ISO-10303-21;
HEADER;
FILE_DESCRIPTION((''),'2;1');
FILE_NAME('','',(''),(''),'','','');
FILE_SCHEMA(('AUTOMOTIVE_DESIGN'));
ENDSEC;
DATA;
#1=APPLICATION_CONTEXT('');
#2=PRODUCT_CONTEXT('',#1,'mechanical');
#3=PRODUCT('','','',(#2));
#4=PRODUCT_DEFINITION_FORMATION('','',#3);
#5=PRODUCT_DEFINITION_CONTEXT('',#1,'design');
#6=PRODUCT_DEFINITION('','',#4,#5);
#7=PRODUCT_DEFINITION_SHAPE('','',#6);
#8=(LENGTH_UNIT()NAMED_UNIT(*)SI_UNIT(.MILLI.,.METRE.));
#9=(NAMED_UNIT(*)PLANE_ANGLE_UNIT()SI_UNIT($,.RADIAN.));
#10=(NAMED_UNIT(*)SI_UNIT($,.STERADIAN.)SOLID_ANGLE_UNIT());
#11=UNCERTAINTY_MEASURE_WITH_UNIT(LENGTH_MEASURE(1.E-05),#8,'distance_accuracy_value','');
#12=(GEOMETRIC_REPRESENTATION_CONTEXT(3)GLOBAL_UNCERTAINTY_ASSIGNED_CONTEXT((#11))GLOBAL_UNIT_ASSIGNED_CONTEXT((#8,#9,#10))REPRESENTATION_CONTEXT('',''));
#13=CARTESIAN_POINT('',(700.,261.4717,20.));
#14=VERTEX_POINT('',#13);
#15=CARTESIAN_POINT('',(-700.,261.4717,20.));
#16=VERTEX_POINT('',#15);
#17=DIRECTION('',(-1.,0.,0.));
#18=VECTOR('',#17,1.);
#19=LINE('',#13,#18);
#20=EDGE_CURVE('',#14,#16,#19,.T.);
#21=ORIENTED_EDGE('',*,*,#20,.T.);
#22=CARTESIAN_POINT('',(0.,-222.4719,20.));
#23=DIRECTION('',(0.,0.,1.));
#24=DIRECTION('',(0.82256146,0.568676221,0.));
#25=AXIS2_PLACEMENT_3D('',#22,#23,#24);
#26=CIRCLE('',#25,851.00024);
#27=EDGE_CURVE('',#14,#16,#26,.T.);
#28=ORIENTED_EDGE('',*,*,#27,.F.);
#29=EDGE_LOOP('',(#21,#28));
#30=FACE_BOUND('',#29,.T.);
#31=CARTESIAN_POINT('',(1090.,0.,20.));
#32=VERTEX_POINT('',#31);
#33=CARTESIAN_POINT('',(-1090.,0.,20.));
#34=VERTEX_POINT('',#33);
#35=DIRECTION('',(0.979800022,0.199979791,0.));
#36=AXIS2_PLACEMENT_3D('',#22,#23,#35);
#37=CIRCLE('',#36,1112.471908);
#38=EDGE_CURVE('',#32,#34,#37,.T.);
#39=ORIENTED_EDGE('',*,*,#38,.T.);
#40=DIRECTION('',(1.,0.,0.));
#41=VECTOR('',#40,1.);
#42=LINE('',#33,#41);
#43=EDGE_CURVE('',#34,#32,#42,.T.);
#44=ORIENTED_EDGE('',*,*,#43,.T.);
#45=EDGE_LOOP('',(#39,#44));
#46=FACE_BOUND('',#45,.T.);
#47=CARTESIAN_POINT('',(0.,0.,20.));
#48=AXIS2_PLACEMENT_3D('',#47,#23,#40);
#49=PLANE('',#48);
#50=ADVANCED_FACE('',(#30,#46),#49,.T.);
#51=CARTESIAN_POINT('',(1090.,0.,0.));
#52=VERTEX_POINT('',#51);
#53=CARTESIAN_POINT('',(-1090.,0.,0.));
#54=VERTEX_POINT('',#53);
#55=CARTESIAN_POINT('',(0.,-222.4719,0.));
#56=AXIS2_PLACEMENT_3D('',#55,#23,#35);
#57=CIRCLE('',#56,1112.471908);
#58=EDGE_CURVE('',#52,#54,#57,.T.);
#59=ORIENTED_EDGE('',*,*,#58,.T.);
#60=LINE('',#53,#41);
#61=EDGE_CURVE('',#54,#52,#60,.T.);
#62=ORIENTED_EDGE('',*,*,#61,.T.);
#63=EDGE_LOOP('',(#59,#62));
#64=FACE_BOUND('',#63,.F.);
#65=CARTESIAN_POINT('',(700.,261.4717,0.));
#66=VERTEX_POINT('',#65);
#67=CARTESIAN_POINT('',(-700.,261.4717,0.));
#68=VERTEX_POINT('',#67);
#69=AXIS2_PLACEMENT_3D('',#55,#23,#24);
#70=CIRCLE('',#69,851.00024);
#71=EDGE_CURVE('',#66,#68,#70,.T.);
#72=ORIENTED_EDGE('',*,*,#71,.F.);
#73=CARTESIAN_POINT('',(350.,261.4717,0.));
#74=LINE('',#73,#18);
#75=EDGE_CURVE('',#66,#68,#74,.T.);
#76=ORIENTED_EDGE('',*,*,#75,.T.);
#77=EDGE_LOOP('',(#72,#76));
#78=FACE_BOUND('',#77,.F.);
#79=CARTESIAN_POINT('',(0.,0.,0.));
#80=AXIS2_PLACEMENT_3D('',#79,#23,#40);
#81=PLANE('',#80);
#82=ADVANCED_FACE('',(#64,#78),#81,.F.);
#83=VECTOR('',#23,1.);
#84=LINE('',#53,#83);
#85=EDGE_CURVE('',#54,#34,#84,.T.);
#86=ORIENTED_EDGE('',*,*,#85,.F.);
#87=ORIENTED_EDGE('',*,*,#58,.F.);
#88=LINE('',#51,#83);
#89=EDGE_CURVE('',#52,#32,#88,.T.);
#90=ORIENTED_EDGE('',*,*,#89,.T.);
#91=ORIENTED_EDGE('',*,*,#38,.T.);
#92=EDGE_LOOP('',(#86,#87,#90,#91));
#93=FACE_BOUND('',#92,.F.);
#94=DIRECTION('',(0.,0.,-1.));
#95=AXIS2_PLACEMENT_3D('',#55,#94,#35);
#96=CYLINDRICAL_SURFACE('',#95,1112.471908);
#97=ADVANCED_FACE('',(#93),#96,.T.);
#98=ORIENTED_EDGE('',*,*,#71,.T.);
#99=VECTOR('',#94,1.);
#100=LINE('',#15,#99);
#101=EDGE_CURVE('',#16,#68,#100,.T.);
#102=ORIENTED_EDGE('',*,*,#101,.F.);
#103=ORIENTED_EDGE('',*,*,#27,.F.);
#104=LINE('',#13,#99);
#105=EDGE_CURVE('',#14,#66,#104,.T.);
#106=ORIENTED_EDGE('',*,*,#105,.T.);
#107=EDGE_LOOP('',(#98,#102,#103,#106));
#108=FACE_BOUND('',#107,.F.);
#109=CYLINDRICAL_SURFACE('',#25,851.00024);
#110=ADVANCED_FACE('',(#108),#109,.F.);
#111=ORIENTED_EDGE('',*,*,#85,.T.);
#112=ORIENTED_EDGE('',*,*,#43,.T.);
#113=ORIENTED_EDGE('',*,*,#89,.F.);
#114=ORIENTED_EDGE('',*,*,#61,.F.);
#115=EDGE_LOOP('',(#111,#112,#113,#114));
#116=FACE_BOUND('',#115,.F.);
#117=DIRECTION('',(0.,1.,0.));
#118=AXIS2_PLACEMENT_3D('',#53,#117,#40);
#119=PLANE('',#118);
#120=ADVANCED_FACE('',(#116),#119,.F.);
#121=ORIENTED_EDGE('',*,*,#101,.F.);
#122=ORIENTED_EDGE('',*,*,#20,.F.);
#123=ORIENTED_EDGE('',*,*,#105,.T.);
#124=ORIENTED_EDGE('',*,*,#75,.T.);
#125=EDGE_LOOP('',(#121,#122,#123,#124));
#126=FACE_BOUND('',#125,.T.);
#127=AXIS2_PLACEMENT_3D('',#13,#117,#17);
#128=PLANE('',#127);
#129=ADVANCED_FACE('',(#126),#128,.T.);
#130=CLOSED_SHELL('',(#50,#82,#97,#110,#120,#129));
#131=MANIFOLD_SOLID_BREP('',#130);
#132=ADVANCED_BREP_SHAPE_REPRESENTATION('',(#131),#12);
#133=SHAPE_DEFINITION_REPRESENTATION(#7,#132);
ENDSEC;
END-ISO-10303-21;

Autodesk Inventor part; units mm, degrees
ref_plane "YZ Plane" through (0, 0, 0) normal (1, 0, 0) x (0, 1, 0)
ref_plane "XZ Plane" through (0, 0, 0) normal (0, 1, 0) x (-1, 0, 0)
ref_plane "XY Plane" through (0, 0, 0) normal (0, 0, 1) x (1, 0, 0)
sketch "Sketch2" plane through (0, 0, 0) normal (0, 0, 1) x (1, 0, 0)
  arc A0 (1090, 0) -> (-1090, 0) centre (0, -222.4719) ccw
  line L0 (-1090, 0) -> (1090, 0)
  point P0 (0, 0)
  point P1 (0, 890)
  dimension "d17" = 0
  dimension "d21" = 0
  dimension "d24" = 890
  dimension "d25" = 2180
  dimension "d26" = 1090
extrude "side" add sketch "Sketch2" along normal blind 20
sketch "Sketch3" plane through (0, 0, 20) normal (0, 0, 1) x (1, 0, 0)
  line L0 (-1090, 0) -> (1090, 0) projected
  arc A0 (1090, 0) -> (-1090, 0) centre (0, -222.4719) ccw projected
  line L1 (700, 261.4717) -> (-700, 261.4717)
  arc A1 (700, 261.4717) -> (-700, 261.4717) centre (0, -222.4719) ccw
  point P0 (0, 0)
  dimension "d28" = 1400
extrude "Extrusion3" cut sketch "Sketch3" against normal through all contours L1 A1
equation "\"d24\" = cover_height_main - cover_shell_thickness"
equation "\"d25\" = cover_length_main - 2 * cover_shell_thickness"
equation "\"d26\" = 0.5 * d25"
equation "\"d14\" = cover_side_thickness"
equation "\"d28\" = cover_side_openSize"
equation "\"cover_height_main\" = 900"
equation "\"cover_shell_thickness\" = 10"
equation "\"cover_side_thickness\" = 20"
equation "\"cover_side_openSize\" = 1400"
equation "\"hoop_angle_z\" = 45deg"
equation "\"hoop_bearing_length\" = 5deg"
equation "\"hoop_cable_diam\" = 5"
equation "\"hoop_cable_pulley_diam\" = 22"
equation "\"rack_tooth_addendum\" = 5"
equation "\"rack_tooth_dedendum\" = 5"
equation "\"rack_tooth_thickness\" = 5"
equation "\"secure_arm_angle\" = 20deg"
equation "\"secure_arm_hold_length\" = 35"
equation "\"secure_arm_radii\" = 9"
equation "\"support_baseClamp_platformLengthBuffer\" = 35"
equation "\"support_baseClamp_platformThickness\" = 15"
equation "\"support_baseClamp_platformWidthBuffer\" = 0"
equation "\"support_baseClamp_sleeveHoleDiameter\" = 12"
equation "\"support_baseClamp_sleeveSweepTerminationAngle\" = 55deg"
equation "\"support_baseClamp_thickness\" = 8"
equation "\"support_frame_endHoleBuffer\" = 25"
equation "\"support_frame_squareBarFillet\" = 2"
equation "\"support_frame_squareBarThickness\" = 5"
equation "\"hoop_tabs_hole\" = 4"
equation "\"hoop_tabs_thickness\" = 6"
equation "\"wheelchair_deployed_length\" = 1067"
equation "\"wheelchair_deployed_height\" = 914"
equation "\"wheelchair_deployed_width\" = 635"
equation "\"cover_length_main\" = 2200"
properties part number "cover_side_open"
